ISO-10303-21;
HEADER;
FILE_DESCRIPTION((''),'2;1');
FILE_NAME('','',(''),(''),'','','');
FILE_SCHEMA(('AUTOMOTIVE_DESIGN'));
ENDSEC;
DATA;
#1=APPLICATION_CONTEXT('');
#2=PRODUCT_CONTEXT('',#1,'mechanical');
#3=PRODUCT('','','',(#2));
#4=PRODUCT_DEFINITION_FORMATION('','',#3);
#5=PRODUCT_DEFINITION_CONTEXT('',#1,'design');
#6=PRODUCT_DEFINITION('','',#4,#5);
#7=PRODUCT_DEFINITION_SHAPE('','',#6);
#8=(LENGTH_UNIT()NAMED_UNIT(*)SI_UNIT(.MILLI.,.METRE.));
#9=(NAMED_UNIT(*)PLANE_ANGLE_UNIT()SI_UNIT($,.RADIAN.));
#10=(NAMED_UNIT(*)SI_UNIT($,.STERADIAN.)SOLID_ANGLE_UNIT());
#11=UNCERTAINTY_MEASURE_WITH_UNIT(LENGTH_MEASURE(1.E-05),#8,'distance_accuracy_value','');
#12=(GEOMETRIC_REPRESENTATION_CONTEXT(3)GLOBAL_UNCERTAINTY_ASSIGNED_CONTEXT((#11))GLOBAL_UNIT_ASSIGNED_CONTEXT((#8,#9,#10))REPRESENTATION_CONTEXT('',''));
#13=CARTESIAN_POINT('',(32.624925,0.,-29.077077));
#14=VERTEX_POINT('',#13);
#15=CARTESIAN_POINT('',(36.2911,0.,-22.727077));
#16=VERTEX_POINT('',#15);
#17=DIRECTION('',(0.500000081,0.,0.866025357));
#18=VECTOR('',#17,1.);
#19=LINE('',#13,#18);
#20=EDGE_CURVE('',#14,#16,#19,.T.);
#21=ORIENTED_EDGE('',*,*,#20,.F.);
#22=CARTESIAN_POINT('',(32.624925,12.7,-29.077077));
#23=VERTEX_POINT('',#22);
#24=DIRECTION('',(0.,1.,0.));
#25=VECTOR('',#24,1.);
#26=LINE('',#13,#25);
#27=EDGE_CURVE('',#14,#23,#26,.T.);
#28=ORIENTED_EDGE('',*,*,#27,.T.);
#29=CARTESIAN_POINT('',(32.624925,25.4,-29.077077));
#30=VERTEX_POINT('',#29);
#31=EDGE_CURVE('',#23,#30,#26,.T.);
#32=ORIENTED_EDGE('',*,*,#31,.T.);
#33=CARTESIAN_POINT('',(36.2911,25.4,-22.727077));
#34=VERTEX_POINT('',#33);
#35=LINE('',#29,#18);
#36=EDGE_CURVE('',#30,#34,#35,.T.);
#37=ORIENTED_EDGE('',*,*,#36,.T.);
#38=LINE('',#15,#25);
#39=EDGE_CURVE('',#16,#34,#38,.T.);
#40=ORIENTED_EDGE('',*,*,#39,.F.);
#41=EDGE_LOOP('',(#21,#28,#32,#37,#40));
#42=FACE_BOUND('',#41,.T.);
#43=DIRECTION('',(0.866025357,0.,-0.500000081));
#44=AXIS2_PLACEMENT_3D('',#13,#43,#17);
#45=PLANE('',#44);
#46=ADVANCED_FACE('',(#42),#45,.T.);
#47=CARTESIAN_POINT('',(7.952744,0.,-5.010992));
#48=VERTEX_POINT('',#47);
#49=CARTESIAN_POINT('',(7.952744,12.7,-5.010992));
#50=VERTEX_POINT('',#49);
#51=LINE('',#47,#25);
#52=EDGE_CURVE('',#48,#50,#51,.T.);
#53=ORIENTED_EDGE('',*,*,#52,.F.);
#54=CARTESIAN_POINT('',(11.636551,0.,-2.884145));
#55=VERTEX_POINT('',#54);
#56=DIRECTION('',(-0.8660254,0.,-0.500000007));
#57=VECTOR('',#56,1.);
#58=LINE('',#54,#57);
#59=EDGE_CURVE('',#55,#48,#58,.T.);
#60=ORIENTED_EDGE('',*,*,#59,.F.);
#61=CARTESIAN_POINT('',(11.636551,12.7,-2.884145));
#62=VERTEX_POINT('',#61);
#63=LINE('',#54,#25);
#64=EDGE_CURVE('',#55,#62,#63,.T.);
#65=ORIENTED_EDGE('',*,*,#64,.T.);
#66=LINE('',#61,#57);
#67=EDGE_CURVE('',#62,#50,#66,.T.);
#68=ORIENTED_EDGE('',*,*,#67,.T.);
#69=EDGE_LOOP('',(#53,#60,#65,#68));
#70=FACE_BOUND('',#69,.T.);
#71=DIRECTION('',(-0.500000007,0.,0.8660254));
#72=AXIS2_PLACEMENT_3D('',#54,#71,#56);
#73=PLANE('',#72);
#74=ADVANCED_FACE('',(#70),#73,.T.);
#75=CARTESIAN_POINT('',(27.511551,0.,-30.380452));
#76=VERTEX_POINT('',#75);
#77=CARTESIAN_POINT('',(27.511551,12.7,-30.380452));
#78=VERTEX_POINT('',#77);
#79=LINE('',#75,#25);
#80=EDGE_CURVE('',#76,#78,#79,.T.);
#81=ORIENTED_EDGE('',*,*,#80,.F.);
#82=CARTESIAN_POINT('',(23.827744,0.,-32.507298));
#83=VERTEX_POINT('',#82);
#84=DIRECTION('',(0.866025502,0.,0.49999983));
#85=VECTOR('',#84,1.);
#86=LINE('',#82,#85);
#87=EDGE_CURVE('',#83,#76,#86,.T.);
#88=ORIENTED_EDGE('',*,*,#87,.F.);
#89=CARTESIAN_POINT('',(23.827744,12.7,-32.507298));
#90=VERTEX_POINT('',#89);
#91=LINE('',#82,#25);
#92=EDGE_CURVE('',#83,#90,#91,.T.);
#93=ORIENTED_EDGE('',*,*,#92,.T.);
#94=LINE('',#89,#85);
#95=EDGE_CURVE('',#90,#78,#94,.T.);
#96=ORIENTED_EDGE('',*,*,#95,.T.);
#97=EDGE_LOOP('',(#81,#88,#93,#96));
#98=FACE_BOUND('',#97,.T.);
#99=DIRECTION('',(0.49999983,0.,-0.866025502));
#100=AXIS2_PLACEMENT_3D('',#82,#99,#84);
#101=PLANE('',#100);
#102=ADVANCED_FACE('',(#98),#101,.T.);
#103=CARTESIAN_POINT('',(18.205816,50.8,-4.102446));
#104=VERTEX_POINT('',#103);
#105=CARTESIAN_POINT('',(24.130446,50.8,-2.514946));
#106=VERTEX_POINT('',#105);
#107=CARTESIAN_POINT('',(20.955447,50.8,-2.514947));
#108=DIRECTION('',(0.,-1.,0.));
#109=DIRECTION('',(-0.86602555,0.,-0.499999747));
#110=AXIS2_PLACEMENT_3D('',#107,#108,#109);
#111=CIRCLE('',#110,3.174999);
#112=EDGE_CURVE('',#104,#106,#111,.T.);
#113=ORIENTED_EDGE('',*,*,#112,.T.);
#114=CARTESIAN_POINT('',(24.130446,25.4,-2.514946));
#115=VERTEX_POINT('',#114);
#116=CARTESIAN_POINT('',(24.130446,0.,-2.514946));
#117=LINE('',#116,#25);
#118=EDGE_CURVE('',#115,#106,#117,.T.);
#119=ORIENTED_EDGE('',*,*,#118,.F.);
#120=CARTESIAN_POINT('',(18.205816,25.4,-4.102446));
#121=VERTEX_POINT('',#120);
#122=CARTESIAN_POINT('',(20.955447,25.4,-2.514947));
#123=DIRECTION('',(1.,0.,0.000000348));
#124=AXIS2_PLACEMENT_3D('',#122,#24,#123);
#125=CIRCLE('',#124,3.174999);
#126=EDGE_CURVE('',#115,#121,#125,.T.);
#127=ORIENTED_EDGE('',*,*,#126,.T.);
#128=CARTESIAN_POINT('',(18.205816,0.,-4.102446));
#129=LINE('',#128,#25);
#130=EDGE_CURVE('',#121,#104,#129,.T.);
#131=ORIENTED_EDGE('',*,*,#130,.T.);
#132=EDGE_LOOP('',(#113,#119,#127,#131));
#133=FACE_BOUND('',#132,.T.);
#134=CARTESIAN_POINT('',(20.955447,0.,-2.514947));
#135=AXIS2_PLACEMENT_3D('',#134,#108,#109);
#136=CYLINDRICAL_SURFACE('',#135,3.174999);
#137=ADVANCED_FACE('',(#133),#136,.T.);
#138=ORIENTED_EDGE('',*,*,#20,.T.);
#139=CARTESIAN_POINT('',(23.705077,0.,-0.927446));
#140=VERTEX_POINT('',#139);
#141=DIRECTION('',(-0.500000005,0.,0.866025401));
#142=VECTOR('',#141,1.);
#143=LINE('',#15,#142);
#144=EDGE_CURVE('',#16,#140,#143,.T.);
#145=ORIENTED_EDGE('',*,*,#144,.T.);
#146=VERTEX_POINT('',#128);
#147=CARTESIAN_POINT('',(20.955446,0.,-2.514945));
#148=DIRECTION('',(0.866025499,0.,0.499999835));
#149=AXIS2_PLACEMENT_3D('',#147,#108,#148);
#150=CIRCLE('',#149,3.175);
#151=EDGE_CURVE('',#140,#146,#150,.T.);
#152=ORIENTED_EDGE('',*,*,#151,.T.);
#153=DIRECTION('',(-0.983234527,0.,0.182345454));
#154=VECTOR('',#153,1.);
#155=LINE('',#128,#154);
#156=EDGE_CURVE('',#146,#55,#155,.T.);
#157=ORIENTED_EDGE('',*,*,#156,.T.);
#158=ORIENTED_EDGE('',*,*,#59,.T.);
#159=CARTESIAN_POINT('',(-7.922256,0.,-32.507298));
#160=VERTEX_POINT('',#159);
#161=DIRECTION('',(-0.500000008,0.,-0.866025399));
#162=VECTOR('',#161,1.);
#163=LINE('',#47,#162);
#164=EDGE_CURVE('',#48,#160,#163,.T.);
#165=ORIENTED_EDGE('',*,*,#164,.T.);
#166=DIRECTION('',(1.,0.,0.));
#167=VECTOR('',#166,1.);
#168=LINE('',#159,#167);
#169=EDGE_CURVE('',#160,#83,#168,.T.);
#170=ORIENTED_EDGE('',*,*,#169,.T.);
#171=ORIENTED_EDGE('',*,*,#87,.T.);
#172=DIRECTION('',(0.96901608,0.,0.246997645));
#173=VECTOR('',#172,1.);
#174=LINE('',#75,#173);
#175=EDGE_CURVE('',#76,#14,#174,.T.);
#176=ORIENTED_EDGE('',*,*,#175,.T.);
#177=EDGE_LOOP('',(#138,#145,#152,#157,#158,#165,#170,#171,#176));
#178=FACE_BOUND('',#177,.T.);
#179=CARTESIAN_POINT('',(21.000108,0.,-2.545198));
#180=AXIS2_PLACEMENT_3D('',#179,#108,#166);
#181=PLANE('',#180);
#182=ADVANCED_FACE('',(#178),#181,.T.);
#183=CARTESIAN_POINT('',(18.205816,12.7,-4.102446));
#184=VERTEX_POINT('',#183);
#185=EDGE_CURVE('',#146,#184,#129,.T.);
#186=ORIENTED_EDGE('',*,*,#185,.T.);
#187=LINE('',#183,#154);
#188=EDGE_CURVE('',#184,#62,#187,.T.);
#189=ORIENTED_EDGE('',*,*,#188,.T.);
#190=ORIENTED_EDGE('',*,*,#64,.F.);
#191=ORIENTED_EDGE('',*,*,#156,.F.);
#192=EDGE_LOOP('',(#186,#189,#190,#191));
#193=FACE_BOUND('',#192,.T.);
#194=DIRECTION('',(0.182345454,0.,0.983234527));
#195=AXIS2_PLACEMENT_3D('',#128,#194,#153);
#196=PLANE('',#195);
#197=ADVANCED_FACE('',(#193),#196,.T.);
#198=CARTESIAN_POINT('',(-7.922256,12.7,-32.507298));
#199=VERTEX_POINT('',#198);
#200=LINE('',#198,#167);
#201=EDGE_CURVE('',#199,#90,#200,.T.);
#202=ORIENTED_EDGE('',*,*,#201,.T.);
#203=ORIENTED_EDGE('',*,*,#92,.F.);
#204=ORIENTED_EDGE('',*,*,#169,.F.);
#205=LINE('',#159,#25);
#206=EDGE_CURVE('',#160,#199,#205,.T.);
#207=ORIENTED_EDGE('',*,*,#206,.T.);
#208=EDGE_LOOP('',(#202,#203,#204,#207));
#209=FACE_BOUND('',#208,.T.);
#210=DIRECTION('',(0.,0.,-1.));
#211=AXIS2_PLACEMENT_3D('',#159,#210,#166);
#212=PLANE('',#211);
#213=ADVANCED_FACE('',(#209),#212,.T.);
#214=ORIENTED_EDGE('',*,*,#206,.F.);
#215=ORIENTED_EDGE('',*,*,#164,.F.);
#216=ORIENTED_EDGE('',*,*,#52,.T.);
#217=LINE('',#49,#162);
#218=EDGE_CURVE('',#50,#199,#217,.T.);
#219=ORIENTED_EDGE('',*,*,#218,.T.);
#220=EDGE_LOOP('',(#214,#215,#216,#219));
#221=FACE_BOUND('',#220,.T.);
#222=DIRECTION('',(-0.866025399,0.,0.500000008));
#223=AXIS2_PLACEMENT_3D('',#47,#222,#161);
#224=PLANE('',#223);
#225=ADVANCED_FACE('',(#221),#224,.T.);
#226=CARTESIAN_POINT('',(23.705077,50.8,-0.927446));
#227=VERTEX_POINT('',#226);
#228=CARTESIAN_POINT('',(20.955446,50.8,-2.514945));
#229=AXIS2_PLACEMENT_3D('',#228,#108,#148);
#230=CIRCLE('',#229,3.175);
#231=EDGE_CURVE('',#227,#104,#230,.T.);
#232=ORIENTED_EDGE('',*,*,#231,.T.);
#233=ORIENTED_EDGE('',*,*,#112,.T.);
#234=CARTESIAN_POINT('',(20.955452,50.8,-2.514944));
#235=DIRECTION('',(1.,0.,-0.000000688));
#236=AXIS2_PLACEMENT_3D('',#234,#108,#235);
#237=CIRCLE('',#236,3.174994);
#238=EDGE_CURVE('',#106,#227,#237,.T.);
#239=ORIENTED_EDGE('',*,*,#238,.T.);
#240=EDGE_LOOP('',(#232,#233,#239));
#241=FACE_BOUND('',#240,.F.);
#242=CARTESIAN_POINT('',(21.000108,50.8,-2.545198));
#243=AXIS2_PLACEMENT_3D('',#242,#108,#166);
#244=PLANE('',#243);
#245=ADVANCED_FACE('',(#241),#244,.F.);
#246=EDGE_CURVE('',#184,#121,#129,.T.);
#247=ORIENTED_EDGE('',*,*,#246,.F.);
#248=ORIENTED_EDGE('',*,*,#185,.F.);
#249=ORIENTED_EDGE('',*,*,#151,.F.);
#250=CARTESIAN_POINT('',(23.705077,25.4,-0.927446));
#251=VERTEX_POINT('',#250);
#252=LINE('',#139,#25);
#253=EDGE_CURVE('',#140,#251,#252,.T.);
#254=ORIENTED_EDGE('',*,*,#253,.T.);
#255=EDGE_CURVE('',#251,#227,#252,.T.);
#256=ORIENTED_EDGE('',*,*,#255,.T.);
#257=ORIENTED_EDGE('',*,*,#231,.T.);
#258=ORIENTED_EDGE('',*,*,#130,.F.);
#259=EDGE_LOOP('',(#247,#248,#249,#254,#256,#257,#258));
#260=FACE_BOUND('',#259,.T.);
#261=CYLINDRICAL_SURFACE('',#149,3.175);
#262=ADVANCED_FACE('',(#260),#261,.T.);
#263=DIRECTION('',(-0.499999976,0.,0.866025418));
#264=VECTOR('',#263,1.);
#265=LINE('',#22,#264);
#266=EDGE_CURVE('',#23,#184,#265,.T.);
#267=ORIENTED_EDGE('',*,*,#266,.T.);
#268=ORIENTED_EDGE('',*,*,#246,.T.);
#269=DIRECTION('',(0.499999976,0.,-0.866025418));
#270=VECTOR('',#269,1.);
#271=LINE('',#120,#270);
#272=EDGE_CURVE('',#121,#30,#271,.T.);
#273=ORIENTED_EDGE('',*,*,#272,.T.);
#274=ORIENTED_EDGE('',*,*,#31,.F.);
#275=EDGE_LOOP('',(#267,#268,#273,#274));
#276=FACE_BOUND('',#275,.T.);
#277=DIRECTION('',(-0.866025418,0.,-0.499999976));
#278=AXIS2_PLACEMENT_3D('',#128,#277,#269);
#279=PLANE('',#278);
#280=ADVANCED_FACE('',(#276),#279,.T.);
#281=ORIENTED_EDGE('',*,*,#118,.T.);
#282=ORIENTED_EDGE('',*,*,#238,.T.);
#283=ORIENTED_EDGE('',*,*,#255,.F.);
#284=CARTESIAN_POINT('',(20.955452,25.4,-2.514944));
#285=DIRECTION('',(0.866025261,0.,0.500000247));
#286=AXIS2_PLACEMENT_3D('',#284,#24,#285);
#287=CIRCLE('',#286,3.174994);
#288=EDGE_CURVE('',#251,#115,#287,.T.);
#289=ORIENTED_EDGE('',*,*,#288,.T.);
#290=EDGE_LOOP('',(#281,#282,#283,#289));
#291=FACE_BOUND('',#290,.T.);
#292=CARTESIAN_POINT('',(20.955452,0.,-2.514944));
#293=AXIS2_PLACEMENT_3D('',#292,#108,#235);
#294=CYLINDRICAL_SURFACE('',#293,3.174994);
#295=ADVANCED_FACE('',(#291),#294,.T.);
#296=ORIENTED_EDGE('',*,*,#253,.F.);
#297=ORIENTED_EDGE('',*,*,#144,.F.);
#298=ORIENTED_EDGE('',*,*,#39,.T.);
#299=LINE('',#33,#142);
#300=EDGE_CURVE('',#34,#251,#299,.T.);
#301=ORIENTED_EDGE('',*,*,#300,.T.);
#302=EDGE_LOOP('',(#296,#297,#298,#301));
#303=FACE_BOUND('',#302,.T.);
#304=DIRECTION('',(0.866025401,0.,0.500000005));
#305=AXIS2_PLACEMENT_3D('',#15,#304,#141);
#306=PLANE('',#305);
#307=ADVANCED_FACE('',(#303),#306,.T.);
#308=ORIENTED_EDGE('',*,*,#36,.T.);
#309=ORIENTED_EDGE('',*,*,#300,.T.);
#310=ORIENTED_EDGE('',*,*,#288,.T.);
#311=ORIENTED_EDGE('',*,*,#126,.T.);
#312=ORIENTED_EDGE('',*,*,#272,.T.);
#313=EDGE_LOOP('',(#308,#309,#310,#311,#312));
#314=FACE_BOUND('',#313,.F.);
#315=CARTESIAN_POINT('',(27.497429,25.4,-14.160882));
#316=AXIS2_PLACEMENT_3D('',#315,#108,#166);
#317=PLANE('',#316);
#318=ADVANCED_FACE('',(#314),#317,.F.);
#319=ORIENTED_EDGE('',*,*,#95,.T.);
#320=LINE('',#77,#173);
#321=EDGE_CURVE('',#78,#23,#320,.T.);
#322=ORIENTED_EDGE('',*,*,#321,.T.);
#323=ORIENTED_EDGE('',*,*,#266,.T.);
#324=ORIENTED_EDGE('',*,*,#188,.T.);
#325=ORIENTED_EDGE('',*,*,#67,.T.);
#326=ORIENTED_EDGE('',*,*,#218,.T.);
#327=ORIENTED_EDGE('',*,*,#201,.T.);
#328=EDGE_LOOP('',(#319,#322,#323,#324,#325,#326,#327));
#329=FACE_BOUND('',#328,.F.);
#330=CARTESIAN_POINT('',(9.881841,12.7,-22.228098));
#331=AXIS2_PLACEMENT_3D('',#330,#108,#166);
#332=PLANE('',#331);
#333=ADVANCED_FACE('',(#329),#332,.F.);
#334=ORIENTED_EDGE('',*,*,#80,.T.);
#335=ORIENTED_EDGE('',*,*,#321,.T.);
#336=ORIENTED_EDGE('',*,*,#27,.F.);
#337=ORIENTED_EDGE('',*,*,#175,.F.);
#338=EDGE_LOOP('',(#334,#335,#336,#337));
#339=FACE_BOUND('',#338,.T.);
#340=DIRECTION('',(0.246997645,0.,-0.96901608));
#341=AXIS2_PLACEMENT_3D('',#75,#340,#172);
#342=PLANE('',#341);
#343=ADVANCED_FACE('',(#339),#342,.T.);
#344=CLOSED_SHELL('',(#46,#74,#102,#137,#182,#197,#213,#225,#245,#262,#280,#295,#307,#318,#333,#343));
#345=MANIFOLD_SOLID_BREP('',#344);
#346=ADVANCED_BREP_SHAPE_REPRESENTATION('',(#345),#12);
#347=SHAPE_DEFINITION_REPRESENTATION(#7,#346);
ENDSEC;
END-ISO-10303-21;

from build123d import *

# Parameters (mm, degrees)
F1_DEPTH = 12.7
F2_DEPTH = 25.4
F3_DEPTH = 50.8


with BuildPart() as f1:
    # F0 (on Front) → F1 (new body)
    with BuildSketch(Plane.XZ):
        Polygon((23.827744, -32.507298), (27.511551, -30.380452), (11.636551, -2.884145), (7.952744, -5.010992), (-7.922256, -32.507298), align=None)
        Polygon((27.511551, -30.380452), (32.624925, -29.077077), (18.205816, -4.102446), (11.636551, -2.884145), align=None)
    extrude(amount=-F1_DEPTH)

    # F0 (on Front) → F2 (join)
    with BuildSketch(Plane.XZ):
        with BuildLine():
            Line((32.624925, -29.077077), (36.2911, -22.727077))
            Line((36.2911, -22.727077), (23.705077, -0.927446))
            ThreePointArc((23.705077, -0.927446), (24.022261, -1.693196), (24.130446, -2.514946))
            ThreePointArc((24.130446, -2.514946), (21.777197, -5.581761), (18.205816, -4.102446))
            Line((18.205816, -4.102446), (32.624925, -29.077077))
        make_face()
    extrude(amount=-F2_DEPTH)

    # F0 (on Front) → F3 (join)
    with BuildSketch(Plane.XZ):
        with BuildLine():
            ThreePointArc((24.130446, -2.514946), (24.022261, -1.693196), (23.705077, -0.927446))
            ThreePointArc((23.705077, -0.927446), (19.367946, 0.234685), (18.205816, -4.102446))
            ThreePointArc((18.205816, -4.102446), (21.777197, -5.581761), (24.130446, -2.514946))
        make_face()
    extrude(amount=-F3_DEPTH)


solid = f1.part
